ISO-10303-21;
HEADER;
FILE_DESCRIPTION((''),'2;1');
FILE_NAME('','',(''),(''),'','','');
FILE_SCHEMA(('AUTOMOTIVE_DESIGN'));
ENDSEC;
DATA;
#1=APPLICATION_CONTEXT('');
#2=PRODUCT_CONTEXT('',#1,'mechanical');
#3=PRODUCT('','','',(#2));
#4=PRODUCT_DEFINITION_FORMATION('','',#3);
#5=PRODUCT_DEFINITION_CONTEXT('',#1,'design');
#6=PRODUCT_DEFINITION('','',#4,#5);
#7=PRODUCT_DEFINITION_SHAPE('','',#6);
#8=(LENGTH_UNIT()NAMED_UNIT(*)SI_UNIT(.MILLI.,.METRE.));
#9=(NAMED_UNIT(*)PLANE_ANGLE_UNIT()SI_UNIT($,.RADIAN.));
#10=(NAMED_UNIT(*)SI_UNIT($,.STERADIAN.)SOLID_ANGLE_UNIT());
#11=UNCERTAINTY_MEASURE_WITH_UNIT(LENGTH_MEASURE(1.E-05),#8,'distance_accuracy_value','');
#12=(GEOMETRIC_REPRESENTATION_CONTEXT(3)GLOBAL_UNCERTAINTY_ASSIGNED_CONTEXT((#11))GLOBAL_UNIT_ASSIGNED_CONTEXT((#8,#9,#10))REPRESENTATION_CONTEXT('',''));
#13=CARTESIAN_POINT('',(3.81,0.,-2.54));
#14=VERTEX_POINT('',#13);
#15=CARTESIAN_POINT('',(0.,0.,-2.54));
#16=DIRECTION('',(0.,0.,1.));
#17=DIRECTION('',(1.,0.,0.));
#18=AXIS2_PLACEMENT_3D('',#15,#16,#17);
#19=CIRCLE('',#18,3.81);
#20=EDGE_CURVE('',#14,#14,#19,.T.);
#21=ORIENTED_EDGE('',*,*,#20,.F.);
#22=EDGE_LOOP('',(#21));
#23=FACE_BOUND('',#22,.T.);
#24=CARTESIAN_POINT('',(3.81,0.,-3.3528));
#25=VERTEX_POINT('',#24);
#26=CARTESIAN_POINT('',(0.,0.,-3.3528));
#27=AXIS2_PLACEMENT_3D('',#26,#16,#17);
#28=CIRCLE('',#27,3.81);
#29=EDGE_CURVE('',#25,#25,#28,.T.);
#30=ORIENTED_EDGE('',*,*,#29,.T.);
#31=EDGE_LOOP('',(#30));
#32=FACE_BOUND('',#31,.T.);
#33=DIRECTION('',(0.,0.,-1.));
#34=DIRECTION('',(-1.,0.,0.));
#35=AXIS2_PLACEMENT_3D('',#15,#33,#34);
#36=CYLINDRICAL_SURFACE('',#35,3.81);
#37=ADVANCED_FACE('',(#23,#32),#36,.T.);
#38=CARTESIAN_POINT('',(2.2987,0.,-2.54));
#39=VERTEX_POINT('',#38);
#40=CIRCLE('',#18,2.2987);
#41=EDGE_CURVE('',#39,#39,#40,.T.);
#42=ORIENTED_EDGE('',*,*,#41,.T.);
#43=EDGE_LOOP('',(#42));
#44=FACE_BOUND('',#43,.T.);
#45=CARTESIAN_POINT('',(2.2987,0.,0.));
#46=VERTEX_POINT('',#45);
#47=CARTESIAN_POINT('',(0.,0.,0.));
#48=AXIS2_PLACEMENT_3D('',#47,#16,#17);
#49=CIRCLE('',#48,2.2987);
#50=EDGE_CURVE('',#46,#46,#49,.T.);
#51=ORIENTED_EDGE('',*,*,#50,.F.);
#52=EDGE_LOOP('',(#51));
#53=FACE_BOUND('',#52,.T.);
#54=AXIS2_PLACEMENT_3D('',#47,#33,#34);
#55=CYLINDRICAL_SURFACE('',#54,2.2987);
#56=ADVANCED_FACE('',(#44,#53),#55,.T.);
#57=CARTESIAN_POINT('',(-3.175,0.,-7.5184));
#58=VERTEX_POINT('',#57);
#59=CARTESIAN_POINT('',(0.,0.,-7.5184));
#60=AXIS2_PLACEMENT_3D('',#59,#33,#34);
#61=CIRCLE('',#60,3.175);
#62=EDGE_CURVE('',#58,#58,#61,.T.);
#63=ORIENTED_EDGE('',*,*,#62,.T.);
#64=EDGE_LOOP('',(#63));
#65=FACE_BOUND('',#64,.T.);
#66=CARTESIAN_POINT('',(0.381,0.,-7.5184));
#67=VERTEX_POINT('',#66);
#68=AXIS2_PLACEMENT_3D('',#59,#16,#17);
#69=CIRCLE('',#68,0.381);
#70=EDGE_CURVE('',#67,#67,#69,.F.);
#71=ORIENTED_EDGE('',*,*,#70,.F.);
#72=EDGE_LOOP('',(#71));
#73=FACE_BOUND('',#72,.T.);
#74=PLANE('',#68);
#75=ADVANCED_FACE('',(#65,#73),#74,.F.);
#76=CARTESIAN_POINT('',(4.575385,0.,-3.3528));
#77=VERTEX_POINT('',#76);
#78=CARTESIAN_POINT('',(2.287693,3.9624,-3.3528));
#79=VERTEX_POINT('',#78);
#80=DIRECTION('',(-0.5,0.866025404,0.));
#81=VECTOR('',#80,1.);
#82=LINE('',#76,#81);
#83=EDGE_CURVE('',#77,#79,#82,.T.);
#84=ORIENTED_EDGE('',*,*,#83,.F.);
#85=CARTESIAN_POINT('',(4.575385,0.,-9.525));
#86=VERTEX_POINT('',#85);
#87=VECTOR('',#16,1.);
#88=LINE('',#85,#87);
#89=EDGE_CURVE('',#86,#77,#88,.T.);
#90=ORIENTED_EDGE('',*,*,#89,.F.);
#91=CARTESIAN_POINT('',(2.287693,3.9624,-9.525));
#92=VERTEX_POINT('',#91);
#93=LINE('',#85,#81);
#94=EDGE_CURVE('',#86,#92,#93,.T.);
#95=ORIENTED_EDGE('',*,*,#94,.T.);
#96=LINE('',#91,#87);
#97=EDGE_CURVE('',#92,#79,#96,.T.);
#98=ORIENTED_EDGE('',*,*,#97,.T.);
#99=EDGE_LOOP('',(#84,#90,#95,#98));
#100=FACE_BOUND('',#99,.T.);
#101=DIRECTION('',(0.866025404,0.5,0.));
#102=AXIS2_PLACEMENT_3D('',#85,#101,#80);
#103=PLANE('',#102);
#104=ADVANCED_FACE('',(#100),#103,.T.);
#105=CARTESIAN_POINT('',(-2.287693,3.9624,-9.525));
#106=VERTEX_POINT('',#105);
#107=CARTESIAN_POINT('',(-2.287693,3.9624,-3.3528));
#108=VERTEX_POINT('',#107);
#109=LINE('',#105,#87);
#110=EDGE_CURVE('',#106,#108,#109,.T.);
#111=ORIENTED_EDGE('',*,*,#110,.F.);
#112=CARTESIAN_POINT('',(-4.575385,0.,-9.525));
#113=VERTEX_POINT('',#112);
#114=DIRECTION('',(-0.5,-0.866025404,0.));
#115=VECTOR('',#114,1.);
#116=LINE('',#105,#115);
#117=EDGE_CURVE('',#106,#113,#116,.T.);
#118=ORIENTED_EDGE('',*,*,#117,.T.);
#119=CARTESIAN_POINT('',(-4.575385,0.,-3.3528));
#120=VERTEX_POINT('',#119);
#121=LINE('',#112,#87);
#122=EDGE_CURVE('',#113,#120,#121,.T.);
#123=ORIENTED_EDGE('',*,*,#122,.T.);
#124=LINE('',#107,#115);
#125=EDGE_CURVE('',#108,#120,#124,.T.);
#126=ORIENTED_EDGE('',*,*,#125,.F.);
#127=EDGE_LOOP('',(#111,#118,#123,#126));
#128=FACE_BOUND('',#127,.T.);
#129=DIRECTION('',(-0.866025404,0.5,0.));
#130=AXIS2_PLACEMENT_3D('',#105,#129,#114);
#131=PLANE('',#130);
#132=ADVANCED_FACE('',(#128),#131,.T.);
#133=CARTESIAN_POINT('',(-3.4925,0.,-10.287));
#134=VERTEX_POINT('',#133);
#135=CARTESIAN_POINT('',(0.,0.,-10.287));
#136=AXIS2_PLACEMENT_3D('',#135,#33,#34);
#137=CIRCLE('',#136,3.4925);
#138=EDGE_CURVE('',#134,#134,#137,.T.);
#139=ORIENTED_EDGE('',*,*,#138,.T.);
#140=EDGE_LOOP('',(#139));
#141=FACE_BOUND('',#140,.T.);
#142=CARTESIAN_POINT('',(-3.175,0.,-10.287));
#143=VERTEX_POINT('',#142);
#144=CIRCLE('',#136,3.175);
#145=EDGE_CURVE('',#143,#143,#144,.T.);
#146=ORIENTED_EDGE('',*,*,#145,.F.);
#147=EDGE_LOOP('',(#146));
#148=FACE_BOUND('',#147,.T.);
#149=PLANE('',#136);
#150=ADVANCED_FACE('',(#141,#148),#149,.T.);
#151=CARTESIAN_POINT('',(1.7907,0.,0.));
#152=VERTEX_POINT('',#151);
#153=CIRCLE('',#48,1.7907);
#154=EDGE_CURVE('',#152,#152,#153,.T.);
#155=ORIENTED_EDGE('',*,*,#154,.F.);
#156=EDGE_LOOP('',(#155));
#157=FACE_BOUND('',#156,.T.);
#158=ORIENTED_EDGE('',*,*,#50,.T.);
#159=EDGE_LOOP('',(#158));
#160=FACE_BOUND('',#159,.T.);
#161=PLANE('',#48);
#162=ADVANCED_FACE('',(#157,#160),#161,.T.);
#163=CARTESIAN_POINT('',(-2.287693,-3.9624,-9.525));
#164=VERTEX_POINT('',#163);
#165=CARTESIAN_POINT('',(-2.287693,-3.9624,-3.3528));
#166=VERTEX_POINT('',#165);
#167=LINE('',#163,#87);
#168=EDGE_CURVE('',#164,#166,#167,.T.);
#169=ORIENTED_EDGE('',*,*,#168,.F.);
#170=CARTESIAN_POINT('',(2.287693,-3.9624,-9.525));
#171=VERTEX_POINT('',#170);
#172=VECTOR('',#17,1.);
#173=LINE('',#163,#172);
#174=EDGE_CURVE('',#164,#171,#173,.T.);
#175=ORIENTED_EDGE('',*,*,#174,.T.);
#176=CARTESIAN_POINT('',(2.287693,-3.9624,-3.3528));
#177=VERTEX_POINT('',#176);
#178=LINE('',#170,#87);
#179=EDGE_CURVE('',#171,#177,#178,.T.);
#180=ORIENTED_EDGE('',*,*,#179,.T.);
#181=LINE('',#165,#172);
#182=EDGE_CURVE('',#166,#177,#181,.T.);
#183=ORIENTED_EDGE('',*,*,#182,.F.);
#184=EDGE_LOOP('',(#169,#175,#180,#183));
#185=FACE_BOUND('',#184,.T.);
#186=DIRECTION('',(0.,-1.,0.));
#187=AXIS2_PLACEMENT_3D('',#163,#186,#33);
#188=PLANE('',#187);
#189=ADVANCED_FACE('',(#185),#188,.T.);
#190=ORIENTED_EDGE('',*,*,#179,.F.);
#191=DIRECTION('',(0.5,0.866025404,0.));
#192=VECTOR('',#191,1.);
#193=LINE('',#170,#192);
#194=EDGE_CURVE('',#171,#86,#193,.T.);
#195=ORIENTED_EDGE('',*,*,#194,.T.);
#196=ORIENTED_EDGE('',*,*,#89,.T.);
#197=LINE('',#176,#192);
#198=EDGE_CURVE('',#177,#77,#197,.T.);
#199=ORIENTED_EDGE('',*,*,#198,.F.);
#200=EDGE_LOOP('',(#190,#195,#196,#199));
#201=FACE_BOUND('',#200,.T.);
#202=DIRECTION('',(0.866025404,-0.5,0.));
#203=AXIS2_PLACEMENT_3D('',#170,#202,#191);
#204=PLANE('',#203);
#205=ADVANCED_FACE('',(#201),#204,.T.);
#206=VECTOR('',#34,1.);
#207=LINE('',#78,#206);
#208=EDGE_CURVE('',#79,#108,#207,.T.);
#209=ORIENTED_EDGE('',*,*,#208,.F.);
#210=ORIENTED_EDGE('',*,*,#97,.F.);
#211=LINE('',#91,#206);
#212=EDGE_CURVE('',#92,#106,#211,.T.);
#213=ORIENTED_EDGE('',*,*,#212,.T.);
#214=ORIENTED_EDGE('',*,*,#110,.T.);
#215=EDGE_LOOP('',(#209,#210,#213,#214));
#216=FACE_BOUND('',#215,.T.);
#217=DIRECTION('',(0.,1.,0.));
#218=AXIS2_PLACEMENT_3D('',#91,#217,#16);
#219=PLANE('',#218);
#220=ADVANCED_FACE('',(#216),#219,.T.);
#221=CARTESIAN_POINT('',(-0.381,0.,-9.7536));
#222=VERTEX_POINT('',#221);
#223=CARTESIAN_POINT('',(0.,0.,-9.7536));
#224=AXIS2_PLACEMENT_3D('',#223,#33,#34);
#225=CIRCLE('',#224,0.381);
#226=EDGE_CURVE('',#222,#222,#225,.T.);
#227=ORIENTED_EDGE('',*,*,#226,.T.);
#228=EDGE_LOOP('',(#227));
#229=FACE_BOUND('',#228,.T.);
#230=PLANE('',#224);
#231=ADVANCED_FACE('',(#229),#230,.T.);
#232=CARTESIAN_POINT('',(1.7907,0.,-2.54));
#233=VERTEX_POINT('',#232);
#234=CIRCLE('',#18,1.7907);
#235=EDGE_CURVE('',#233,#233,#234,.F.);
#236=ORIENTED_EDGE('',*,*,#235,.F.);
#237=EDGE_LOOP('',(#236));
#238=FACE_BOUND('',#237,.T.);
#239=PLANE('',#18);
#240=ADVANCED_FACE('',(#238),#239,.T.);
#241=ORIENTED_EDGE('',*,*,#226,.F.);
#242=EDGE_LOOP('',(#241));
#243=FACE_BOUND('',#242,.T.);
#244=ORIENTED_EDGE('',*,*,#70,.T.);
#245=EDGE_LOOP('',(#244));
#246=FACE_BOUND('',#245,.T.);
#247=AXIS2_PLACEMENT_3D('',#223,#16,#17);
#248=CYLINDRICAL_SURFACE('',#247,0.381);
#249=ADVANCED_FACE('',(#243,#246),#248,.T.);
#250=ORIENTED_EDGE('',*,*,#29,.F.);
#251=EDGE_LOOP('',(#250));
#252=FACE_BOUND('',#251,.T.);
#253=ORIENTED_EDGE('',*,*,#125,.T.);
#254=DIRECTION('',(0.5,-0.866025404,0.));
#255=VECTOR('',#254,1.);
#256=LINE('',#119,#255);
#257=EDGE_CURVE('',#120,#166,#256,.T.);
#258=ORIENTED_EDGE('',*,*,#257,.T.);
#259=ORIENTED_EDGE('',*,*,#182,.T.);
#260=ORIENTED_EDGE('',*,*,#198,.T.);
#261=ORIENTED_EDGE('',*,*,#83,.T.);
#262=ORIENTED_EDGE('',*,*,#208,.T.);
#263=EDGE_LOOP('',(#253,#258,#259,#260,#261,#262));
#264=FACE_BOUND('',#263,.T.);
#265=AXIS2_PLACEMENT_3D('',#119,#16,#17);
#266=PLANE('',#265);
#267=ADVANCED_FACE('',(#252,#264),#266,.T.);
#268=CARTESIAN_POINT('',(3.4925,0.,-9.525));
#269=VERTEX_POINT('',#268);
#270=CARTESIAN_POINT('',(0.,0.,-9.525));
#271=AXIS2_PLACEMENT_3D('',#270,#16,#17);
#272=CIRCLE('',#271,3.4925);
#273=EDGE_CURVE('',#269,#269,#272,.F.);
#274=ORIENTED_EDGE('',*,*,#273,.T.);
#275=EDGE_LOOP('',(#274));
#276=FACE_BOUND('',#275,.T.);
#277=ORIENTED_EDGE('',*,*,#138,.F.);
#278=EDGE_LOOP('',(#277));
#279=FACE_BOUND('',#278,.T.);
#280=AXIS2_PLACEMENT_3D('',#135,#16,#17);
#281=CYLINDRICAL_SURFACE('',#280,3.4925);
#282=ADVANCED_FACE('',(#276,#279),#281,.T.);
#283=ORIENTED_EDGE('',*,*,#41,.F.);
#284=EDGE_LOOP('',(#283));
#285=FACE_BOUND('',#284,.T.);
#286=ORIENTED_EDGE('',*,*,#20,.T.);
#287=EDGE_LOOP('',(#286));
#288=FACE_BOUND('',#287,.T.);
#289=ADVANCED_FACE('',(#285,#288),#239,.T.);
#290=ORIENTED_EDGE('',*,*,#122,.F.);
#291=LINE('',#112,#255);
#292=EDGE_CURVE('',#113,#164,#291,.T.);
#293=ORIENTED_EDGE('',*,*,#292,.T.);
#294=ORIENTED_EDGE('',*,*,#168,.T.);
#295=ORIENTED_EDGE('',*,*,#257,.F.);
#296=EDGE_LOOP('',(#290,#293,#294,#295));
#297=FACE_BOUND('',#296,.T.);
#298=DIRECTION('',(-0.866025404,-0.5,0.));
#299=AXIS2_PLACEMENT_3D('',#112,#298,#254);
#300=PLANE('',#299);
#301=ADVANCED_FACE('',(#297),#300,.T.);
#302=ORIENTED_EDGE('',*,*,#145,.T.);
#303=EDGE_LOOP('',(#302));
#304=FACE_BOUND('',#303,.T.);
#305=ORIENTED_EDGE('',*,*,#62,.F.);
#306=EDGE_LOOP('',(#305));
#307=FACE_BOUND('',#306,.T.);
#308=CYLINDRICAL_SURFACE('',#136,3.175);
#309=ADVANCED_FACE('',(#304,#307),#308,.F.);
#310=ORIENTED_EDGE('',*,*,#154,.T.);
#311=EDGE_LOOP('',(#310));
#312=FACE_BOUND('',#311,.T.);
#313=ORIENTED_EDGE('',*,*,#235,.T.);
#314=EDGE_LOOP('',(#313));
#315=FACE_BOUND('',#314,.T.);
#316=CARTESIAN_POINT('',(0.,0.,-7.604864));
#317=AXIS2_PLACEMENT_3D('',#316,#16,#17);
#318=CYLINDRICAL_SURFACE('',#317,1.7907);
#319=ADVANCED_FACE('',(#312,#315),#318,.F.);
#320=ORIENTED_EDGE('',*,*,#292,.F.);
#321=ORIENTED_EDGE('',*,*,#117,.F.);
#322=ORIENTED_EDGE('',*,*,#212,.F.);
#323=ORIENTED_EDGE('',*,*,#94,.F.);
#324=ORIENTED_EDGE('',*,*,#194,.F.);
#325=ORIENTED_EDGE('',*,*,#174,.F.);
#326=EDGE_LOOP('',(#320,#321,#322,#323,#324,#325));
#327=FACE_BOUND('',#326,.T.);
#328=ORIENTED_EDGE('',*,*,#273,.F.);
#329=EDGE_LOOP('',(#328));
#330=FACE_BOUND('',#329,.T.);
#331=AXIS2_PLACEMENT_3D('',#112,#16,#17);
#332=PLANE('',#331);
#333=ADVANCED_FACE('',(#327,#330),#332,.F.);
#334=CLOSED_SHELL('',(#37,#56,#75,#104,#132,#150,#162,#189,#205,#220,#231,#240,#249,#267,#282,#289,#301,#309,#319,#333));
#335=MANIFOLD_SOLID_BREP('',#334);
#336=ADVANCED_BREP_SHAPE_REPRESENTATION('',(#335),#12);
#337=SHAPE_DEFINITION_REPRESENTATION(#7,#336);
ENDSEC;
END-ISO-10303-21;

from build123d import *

# Parameters (mm, degrees)
EXTRUDE1_DEPTH     = 6.1722
SKETCH2_R          = 3.81
EXTRUDE2_DEPTH     = 0.8128
SKETCH3_R          = 2.2987
EXTRUDE3_DEPTH     = 2.54
SKETCH4_R          = 3.4925
EXTRUDE4_DEPTH     = 0.762
HOLE1_D            = 6.35
HOLE1_DEPTH        = 2.7686
SKETCH7_R          = 0.381
EXTRUDE5_DEPTH     = 2.2352
SKETCH8_R          = 1.7907
CUT_EXTRUDE1_DEPTH = 2.54


with BuildPart() as part:
    # Sketch1 → Extrude1 (new body)
    with BuildSketch(Plane.XY.offset(-3.3528)):
        Polygon((-4.575385413, 0), (-2.287692707, -3.9624), (2.287692707, -3.9624), (4.575385413, 0), (2.287692707, 3.9624), (-2.287692707, 3.9624), align=None)
    extrude(amount=-EXTRUDE1_DEPTH)

    # Sketch2 → Extrude2 (add)
    with BuildSketch(Plane.XY.offset(-3.3528)):
        Circle(SKETCH2_R)
    extrude(amount=EXTRUDE2_DEPTH)

    # Sketch3 → Extrude3 (add)
    with BuildSketch(Plane.XY.offset(-2.54)):
        Circle(SKETCH3_R)
    extrude(amount=EXTRUDE3_DEPTH)

    # Sketch4 → Extrude4 (add)
    with BuildSketch(Plane(origin=(0, 0, -9.525), x_dir=(-1, 0, 0), z_dir=(0, 0, -1))):
        Circle(SKETCH4_R)
    extrude(amount=EXTRUDE4_DEPTH)

    # Hole1
    with Locations(Plane(origin=(0, 0, -10.287), x_dir=(-1, 0, 0), z_dir=(0, 0, -1))):
        with Locations((0, 0)):
            Hole(HOLE1_D / 2, depth=HOLE1_DEPTH)

    # Sketch7 → Extrude5 (add)
    with BuildSketch(Plane(origin=(0, 0, -7.5184), x_dir=(-1, 0, 0), z_dir=(0, 0, -1))):
        Circle(SKETCH7_R)
    extrude(amount=EXTRUDE5_DEPTH)

    # Sketch8 → Cut-Extrude1 (cut)
    with BuildSketch(Plane.XY):
        Circle(SKETCH8_R)
    extrude(amount=-CUT_EXTRUDE1_DEPTH, mode=Mode.SUBTRACT)


solid = part.part
